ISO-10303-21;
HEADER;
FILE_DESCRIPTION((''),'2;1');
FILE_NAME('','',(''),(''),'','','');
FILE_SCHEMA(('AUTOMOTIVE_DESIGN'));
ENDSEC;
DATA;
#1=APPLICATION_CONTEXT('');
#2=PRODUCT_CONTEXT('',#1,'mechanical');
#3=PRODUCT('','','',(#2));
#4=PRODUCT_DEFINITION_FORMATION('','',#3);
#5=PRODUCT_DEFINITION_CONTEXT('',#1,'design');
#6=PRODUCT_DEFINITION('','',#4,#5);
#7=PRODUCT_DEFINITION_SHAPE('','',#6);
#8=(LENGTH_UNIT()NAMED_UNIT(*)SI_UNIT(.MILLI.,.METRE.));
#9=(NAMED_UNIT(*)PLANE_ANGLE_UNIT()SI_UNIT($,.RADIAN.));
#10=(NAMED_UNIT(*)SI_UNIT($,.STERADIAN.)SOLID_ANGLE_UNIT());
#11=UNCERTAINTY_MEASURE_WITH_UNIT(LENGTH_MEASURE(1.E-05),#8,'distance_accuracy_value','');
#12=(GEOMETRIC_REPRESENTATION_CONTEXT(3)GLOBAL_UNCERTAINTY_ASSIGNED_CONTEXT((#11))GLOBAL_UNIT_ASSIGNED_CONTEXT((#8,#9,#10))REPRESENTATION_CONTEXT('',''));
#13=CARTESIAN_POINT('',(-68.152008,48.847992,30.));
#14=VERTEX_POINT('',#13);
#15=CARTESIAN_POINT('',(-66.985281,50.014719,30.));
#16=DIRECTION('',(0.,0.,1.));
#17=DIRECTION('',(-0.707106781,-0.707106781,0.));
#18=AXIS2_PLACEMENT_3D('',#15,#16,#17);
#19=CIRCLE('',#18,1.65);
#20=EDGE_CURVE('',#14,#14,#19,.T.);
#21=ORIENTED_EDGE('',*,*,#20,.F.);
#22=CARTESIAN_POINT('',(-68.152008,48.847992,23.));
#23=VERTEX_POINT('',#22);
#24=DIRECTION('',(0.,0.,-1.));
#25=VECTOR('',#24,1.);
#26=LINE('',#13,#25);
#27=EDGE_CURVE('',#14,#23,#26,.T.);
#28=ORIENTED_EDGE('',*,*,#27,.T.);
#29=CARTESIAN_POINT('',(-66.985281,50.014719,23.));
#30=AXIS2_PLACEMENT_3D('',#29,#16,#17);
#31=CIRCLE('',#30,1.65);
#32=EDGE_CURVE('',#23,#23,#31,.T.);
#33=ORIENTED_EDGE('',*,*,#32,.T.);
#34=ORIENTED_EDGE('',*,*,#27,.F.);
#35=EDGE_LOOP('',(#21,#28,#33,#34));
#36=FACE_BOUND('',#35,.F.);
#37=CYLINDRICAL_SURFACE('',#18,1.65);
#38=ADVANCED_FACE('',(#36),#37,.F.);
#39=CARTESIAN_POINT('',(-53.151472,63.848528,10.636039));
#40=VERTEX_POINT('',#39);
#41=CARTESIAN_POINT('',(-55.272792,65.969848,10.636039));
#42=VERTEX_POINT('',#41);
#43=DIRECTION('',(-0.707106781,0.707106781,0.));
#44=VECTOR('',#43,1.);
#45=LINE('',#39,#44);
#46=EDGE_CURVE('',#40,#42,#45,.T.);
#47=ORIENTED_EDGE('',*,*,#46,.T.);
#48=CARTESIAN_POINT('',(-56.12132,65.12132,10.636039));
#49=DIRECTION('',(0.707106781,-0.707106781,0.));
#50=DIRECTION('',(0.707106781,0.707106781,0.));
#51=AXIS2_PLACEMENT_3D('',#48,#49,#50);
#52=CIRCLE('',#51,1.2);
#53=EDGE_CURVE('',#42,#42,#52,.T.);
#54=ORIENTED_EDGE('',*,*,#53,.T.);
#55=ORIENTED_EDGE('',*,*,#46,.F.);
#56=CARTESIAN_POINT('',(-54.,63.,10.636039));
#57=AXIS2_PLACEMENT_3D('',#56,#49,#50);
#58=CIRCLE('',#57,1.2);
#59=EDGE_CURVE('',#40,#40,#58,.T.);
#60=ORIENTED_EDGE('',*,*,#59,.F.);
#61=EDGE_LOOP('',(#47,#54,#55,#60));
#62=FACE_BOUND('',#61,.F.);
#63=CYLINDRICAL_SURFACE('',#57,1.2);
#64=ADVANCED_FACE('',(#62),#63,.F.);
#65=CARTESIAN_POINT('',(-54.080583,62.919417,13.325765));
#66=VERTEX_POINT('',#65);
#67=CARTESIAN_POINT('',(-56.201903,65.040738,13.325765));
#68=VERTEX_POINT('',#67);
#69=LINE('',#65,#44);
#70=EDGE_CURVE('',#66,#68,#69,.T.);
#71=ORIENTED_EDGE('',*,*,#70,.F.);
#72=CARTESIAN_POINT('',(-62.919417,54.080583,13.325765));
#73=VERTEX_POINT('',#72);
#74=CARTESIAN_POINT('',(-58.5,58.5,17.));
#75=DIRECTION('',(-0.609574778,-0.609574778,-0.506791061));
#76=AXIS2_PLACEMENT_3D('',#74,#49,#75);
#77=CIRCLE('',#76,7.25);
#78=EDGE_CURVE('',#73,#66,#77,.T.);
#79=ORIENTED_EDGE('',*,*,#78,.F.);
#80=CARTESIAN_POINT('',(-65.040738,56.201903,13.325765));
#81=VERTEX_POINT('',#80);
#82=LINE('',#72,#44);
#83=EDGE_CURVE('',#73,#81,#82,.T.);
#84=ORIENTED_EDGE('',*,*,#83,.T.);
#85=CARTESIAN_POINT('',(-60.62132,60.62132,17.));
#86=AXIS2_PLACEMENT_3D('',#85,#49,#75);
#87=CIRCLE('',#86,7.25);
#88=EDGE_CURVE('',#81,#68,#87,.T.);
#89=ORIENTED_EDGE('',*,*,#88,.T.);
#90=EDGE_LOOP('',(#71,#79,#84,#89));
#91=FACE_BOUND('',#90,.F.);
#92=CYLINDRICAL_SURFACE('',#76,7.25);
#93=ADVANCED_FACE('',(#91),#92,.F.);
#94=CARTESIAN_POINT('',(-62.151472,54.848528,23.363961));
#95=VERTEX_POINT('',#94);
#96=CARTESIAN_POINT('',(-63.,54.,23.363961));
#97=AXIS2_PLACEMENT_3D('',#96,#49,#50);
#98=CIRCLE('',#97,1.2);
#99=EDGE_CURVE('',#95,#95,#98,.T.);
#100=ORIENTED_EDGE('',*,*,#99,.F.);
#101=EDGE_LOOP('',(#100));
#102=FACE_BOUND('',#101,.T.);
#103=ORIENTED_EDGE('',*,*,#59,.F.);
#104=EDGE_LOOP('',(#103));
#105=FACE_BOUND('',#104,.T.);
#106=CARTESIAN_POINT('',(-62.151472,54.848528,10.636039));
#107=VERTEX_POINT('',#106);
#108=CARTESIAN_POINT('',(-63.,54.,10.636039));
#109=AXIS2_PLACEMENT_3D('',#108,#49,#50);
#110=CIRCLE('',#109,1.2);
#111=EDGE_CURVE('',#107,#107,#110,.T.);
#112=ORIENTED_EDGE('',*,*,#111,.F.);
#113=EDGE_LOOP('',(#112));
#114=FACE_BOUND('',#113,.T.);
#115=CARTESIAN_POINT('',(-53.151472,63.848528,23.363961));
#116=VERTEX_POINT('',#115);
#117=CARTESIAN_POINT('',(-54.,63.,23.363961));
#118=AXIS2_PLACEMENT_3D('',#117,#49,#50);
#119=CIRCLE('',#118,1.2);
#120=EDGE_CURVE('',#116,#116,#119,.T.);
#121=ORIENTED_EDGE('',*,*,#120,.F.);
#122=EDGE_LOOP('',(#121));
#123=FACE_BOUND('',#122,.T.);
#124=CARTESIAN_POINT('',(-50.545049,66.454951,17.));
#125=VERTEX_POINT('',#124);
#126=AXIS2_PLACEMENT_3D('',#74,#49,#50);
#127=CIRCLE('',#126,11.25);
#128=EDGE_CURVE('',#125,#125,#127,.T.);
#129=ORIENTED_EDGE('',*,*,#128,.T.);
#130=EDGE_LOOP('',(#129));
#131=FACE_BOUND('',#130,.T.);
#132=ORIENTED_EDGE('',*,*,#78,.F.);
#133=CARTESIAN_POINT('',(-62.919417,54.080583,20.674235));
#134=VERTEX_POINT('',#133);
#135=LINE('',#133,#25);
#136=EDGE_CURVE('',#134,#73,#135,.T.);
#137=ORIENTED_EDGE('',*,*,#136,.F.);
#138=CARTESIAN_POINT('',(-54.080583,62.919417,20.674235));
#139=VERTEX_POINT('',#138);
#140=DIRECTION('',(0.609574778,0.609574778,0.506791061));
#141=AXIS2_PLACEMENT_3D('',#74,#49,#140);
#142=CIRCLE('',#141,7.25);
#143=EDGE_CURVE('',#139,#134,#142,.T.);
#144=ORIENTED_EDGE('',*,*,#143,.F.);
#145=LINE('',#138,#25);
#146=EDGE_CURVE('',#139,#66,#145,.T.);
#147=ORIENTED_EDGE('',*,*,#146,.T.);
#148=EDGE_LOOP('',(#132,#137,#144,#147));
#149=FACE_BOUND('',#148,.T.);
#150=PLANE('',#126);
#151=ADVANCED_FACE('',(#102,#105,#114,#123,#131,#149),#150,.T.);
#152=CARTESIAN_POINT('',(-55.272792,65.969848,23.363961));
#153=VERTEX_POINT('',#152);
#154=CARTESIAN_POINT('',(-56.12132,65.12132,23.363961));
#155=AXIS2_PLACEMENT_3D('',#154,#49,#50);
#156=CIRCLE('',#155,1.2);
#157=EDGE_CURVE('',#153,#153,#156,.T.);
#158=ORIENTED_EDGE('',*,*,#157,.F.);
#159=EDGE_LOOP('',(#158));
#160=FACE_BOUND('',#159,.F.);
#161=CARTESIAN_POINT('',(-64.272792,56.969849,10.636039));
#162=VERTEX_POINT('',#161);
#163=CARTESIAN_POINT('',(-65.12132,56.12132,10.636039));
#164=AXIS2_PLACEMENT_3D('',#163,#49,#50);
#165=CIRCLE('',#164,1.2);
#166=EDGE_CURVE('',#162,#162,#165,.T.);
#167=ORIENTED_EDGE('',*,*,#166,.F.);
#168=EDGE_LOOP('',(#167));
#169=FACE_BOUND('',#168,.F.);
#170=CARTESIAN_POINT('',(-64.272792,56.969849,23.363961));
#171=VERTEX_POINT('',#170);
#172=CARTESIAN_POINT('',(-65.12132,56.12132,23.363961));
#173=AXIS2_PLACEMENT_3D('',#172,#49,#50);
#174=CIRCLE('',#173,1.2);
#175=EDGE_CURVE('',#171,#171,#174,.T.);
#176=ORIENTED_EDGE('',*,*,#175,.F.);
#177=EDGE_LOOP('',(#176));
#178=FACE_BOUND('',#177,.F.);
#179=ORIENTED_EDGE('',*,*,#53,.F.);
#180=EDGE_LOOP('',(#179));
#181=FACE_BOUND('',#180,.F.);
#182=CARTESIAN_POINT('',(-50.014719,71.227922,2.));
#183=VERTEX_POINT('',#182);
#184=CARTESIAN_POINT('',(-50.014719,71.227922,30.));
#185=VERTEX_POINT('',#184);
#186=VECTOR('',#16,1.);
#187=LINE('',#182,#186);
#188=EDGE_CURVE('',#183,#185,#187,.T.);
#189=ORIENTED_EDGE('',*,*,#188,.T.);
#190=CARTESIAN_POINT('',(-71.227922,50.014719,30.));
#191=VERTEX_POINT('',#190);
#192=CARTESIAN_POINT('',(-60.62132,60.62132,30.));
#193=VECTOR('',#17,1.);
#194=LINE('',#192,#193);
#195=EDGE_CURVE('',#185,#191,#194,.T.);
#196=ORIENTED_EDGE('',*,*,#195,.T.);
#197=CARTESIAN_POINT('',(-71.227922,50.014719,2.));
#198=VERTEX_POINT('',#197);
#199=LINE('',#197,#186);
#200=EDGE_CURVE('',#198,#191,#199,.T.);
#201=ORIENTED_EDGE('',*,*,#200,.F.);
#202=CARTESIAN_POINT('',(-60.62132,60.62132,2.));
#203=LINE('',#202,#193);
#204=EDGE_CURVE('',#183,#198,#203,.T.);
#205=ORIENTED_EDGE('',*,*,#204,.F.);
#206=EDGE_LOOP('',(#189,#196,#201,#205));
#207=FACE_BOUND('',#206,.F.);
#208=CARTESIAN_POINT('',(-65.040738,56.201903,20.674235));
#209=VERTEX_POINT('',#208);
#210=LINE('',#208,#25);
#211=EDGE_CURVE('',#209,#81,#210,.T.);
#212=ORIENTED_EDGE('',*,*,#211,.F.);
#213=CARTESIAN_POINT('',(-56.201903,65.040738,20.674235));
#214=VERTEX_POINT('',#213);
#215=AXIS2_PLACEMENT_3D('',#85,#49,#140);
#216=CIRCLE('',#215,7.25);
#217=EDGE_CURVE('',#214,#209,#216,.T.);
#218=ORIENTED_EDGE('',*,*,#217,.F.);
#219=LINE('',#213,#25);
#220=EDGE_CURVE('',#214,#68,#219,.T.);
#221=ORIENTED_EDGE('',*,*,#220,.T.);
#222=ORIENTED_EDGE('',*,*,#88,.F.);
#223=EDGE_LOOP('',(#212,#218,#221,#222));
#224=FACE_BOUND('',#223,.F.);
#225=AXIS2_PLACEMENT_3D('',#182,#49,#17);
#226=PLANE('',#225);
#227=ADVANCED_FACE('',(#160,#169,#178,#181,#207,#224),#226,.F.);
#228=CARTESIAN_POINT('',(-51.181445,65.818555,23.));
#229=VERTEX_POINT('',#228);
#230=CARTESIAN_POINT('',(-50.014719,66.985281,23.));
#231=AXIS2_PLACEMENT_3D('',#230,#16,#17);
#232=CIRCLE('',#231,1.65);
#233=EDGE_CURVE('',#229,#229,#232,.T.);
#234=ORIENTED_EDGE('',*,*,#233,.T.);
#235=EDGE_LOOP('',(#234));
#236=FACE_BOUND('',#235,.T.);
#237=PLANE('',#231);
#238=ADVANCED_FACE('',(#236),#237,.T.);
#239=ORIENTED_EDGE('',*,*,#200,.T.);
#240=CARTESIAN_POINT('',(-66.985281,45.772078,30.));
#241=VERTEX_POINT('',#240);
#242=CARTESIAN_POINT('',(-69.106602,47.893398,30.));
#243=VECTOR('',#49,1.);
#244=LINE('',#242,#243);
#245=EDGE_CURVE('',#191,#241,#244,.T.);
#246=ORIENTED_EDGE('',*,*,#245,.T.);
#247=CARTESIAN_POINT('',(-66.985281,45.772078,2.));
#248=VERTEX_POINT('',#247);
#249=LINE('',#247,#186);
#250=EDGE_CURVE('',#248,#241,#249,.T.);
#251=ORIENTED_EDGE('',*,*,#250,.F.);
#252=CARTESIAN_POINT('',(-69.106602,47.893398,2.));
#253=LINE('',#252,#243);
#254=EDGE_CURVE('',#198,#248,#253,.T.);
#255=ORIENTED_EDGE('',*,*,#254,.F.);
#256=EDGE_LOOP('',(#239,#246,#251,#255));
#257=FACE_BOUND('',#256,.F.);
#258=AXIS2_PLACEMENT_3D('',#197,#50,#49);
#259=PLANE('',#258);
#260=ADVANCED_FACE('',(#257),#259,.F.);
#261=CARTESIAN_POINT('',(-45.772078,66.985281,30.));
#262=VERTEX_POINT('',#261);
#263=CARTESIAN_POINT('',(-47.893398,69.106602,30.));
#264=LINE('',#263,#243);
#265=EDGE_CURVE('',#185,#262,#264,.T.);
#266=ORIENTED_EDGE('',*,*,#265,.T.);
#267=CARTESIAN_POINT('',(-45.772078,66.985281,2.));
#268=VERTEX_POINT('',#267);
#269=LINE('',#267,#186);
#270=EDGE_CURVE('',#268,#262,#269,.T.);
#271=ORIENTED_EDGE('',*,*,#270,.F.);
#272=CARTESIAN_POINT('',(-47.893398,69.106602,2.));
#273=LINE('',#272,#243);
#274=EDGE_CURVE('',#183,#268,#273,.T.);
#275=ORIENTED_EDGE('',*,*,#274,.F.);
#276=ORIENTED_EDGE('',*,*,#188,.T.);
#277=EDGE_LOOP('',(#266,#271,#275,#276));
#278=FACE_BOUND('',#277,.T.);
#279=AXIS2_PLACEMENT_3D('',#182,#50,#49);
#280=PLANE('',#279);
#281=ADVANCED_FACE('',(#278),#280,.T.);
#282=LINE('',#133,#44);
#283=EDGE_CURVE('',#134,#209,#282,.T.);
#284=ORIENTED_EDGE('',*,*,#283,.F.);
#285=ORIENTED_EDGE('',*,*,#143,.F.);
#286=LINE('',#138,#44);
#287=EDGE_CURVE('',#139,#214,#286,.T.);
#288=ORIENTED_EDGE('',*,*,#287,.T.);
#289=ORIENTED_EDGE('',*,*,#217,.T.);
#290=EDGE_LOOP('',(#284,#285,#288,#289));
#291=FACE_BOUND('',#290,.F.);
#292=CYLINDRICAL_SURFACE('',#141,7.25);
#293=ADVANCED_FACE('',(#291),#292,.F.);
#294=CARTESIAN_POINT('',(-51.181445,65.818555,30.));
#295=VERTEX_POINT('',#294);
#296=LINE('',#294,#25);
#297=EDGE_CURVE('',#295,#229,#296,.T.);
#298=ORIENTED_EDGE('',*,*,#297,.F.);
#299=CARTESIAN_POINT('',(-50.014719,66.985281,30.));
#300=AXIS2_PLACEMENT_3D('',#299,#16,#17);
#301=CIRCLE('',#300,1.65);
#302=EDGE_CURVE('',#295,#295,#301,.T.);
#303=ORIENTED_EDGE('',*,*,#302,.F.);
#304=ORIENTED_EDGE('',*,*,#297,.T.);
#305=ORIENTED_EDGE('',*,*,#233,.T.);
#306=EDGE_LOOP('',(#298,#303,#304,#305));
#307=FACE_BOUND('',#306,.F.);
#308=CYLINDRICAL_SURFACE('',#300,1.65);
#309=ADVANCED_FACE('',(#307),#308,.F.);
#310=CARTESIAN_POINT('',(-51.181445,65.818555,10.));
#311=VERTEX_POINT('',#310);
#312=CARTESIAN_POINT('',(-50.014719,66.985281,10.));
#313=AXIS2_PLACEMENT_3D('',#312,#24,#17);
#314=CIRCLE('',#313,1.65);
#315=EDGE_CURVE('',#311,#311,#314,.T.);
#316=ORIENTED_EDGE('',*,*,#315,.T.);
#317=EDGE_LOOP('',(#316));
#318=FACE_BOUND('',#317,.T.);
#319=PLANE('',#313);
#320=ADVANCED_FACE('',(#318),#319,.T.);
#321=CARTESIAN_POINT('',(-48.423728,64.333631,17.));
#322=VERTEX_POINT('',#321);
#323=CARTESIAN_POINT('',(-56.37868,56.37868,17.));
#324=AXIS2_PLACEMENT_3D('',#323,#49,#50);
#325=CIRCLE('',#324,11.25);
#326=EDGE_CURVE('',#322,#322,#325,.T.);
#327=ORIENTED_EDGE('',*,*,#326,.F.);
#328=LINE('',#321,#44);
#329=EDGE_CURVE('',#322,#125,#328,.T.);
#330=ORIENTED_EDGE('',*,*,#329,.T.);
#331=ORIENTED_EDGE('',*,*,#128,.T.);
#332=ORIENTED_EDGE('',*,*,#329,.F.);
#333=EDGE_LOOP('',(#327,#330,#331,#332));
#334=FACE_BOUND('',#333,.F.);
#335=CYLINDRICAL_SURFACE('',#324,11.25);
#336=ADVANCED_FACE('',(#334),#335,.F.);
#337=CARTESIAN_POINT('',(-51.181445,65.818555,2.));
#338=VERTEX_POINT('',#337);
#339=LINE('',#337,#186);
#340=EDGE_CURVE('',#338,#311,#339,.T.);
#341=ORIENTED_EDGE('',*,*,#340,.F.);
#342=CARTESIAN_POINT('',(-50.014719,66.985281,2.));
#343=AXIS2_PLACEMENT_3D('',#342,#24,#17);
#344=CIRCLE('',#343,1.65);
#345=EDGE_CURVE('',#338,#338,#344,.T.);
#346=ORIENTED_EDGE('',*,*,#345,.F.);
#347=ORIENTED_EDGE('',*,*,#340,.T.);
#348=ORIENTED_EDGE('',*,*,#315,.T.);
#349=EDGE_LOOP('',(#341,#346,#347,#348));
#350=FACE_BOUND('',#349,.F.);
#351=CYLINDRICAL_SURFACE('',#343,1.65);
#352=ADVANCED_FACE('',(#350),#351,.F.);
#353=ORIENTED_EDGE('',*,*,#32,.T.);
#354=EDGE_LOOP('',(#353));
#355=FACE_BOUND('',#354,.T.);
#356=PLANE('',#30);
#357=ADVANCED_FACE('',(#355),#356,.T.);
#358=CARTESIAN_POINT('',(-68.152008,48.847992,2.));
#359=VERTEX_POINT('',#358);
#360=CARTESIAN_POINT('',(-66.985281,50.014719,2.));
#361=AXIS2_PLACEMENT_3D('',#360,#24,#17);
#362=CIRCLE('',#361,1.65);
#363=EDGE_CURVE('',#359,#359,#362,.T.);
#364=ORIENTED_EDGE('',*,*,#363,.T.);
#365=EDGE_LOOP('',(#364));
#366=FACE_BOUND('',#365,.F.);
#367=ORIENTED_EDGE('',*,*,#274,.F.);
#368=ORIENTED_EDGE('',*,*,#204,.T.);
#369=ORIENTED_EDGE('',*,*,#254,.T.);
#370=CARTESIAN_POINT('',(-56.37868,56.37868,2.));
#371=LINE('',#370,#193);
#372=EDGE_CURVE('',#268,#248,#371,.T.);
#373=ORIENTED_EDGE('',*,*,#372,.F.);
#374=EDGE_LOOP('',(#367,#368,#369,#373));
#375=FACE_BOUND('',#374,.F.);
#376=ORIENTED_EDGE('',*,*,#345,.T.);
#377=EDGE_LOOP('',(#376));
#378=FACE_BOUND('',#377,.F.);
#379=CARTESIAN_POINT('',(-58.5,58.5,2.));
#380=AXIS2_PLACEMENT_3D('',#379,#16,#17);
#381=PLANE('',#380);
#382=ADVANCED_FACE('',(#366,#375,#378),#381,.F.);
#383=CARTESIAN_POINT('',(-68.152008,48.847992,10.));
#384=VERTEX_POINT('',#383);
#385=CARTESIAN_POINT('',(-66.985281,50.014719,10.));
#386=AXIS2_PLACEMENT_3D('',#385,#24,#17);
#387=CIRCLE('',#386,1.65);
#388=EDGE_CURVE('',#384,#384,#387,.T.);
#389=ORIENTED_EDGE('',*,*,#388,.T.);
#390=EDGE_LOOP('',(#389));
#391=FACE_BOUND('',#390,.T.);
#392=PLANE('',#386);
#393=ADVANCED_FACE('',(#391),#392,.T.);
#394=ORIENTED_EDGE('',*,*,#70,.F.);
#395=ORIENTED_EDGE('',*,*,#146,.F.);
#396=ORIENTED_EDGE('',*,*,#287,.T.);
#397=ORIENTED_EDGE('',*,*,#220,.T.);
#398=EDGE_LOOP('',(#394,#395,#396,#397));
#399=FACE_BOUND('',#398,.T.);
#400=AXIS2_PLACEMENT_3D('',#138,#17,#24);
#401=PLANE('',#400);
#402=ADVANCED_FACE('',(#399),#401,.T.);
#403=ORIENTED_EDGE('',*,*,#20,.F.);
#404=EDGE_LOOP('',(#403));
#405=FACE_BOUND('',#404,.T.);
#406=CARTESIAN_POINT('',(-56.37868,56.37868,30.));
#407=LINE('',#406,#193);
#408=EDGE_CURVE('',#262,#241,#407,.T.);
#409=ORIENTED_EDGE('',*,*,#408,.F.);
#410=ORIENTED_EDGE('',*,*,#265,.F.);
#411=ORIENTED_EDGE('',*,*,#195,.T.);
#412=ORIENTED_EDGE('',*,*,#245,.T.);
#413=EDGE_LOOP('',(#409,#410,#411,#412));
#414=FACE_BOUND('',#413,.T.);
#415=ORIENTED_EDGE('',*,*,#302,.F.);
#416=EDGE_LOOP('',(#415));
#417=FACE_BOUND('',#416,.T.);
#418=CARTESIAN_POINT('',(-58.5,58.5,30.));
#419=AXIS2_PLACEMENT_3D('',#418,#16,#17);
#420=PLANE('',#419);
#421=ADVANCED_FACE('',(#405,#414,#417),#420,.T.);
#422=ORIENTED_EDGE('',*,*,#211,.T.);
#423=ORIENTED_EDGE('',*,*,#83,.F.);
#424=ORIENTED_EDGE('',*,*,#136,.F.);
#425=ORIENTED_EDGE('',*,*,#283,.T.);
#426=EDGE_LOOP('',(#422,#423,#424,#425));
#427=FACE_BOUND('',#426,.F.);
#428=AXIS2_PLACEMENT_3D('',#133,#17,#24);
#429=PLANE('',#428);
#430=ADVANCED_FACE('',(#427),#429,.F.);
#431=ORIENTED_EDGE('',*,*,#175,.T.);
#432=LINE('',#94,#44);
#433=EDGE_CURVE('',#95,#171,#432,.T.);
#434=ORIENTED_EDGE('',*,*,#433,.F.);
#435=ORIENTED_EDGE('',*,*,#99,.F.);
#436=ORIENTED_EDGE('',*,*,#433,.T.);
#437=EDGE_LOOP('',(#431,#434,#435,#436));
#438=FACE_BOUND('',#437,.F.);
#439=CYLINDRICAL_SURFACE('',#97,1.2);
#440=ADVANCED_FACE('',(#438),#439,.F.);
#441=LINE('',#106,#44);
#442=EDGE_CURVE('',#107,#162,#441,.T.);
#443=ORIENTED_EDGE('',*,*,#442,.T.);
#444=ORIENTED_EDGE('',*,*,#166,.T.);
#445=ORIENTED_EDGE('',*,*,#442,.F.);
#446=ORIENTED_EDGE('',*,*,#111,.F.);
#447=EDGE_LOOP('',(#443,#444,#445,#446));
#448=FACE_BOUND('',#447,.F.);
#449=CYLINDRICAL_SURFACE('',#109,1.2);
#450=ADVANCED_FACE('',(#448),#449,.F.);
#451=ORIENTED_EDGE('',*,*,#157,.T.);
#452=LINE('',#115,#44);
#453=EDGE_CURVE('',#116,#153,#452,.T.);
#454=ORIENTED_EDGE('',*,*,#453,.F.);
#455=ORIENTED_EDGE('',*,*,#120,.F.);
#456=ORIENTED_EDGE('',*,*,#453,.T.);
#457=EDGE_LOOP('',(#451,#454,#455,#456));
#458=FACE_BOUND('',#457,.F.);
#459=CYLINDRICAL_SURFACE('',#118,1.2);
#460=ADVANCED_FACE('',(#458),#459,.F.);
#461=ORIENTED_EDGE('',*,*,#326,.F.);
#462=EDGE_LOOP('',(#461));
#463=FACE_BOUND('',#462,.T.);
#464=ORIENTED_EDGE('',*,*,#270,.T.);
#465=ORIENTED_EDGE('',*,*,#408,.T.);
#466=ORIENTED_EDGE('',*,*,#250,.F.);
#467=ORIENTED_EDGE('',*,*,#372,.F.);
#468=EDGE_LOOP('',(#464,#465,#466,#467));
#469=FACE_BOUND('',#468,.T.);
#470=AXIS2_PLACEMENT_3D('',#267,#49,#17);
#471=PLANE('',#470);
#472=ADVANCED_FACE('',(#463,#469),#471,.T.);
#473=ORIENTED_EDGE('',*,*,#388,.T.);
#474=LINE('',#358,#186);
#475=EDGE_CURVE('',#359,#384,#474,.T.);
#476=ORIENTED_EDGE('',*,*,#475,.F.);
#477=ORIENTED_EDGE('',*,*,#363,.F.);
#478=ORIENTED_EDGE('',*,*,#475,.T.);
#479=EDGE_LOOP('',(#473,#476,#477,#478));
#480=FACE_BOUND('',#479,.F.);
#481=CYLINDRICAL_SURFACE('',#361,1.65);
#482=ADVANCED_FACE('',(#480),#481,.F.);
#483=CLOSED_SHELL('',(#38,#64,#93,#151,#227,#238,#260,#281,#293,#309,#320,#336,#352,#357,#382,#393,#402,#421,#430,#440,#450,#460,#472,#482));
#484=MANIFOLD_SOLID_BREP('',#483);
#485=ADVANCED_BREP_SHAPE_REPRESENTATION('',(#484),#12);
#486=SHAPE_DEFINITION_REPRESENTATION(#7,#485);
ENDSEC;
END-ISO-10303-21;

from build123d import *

# Parameters (mm, degrees)
SKETCH077_W             = 30
SKETCH077_H             = 6
PAD034_DEPTH            = 28
SKETCH078_R             = 11.25
POCKET039_DEPTH         = 3
SKETCH079_R             = 1.2
POCKET040_DEPTH         = 3
SKETCH080_R             = 1.65
POCKET041_DEPTH         = 7
SKETCH081_R             = 1.65
POCKET042_DEPTH         = 8
BODY024_PLACEMENT_ANGLE = 225


with BuildPart() as part:
    # Sketch077 → Pad034 (new body)
    with BuildSketch(Plane.XY):
        Rectangle(SKETCH077_W, SKETCH077_H)
    extrude(amount=PAD034_DEPTH)

    # Sketch078 (on Face4 of Pad034) → Pocket039 (cut)
    with BuildSketch(Plane(origin=(0, 3, 0), x_dir=(-1, 0, 0), z_dir=(0, 1, 0))):
        with Locations((0, 15)):
            Circle(SKETCH078_R)
    extrude(amount=-POCKET039_DEPTH, mode=Mode.SUBTRACT)

    # Sketch079 (on Face8 of Pocket039) → Pocket040 (cut)
    with BuildSketch(Plane(origin=(0, 0, 0), x_dir=(-1, 0, 0), z_dir=(0, 1, 0))):
        with Locations((6.363961, 8.636039)):
            Circle(SKETCH079_R)
        with Locations((6.363961, 21.363961)):
            Circle(SKETCH079_R)
        with Locations((-6.363961, 21.363961)):
            Circle(SKETCH079_R)
        with Locations((-6.363961, 8.636039)):
            Circle(SKETCH079_R)
        with BuildLine():
            Line((-6.25, 18.674235), (-6.25, 11.325765))
            ThreePointArc((-6.25, 11.325765), (0, 7.75), (6.25, 11.325765))
            Line((6.25, 18.674235), (6.25, 11.325765))
            ThreePointArc((6.25, 18.674235), (0, 22.25), (-6.25, 18.674235))
        make_face()
    extrude(amount=-POCKET040_DEPTH, mode=Mode.SUBTRACT)

    # Sketch080 (on Face5 of Pocket040) → Pocket041 (cut)
    with BuildSketch(Plane.XY.offset(28)):
        with Locations((-12, 0)):
            Circle(SKETCH080_R)
        with Locations((12, 0)):
            Circle(SKETCH080_R)
    extrude(amount=-POCKET041_DEPTH, mode=Mode.SUBTRACT)

    # Sketch081 (on Face4 of Pocket041) → Pocket042 (cut)
    with BuildSketch(Plane(origin=(0, 0, 0), x_dir=(1, 0, 0), z_dir=(0, 0, -1))):
        with Locations((-12, 0)):
            Circle(SKETCH081_R)
        with Locations((12, 0)):
            Circle(SKETCH081_R)
    extrude(amount=-POCKET042_DEPTH, mode=Mode.SUBTRACT)


with BuildPart() as part_1:
    # Body024 placement: moved
    add(part.part.moved(Location((-58.5, 58.5, 2))).rotate(Axis((-58.5, 58.5, 2), (0, 0, 1)), BODY024_PLACEMENT_ANGLE))


solid = part_1.part
